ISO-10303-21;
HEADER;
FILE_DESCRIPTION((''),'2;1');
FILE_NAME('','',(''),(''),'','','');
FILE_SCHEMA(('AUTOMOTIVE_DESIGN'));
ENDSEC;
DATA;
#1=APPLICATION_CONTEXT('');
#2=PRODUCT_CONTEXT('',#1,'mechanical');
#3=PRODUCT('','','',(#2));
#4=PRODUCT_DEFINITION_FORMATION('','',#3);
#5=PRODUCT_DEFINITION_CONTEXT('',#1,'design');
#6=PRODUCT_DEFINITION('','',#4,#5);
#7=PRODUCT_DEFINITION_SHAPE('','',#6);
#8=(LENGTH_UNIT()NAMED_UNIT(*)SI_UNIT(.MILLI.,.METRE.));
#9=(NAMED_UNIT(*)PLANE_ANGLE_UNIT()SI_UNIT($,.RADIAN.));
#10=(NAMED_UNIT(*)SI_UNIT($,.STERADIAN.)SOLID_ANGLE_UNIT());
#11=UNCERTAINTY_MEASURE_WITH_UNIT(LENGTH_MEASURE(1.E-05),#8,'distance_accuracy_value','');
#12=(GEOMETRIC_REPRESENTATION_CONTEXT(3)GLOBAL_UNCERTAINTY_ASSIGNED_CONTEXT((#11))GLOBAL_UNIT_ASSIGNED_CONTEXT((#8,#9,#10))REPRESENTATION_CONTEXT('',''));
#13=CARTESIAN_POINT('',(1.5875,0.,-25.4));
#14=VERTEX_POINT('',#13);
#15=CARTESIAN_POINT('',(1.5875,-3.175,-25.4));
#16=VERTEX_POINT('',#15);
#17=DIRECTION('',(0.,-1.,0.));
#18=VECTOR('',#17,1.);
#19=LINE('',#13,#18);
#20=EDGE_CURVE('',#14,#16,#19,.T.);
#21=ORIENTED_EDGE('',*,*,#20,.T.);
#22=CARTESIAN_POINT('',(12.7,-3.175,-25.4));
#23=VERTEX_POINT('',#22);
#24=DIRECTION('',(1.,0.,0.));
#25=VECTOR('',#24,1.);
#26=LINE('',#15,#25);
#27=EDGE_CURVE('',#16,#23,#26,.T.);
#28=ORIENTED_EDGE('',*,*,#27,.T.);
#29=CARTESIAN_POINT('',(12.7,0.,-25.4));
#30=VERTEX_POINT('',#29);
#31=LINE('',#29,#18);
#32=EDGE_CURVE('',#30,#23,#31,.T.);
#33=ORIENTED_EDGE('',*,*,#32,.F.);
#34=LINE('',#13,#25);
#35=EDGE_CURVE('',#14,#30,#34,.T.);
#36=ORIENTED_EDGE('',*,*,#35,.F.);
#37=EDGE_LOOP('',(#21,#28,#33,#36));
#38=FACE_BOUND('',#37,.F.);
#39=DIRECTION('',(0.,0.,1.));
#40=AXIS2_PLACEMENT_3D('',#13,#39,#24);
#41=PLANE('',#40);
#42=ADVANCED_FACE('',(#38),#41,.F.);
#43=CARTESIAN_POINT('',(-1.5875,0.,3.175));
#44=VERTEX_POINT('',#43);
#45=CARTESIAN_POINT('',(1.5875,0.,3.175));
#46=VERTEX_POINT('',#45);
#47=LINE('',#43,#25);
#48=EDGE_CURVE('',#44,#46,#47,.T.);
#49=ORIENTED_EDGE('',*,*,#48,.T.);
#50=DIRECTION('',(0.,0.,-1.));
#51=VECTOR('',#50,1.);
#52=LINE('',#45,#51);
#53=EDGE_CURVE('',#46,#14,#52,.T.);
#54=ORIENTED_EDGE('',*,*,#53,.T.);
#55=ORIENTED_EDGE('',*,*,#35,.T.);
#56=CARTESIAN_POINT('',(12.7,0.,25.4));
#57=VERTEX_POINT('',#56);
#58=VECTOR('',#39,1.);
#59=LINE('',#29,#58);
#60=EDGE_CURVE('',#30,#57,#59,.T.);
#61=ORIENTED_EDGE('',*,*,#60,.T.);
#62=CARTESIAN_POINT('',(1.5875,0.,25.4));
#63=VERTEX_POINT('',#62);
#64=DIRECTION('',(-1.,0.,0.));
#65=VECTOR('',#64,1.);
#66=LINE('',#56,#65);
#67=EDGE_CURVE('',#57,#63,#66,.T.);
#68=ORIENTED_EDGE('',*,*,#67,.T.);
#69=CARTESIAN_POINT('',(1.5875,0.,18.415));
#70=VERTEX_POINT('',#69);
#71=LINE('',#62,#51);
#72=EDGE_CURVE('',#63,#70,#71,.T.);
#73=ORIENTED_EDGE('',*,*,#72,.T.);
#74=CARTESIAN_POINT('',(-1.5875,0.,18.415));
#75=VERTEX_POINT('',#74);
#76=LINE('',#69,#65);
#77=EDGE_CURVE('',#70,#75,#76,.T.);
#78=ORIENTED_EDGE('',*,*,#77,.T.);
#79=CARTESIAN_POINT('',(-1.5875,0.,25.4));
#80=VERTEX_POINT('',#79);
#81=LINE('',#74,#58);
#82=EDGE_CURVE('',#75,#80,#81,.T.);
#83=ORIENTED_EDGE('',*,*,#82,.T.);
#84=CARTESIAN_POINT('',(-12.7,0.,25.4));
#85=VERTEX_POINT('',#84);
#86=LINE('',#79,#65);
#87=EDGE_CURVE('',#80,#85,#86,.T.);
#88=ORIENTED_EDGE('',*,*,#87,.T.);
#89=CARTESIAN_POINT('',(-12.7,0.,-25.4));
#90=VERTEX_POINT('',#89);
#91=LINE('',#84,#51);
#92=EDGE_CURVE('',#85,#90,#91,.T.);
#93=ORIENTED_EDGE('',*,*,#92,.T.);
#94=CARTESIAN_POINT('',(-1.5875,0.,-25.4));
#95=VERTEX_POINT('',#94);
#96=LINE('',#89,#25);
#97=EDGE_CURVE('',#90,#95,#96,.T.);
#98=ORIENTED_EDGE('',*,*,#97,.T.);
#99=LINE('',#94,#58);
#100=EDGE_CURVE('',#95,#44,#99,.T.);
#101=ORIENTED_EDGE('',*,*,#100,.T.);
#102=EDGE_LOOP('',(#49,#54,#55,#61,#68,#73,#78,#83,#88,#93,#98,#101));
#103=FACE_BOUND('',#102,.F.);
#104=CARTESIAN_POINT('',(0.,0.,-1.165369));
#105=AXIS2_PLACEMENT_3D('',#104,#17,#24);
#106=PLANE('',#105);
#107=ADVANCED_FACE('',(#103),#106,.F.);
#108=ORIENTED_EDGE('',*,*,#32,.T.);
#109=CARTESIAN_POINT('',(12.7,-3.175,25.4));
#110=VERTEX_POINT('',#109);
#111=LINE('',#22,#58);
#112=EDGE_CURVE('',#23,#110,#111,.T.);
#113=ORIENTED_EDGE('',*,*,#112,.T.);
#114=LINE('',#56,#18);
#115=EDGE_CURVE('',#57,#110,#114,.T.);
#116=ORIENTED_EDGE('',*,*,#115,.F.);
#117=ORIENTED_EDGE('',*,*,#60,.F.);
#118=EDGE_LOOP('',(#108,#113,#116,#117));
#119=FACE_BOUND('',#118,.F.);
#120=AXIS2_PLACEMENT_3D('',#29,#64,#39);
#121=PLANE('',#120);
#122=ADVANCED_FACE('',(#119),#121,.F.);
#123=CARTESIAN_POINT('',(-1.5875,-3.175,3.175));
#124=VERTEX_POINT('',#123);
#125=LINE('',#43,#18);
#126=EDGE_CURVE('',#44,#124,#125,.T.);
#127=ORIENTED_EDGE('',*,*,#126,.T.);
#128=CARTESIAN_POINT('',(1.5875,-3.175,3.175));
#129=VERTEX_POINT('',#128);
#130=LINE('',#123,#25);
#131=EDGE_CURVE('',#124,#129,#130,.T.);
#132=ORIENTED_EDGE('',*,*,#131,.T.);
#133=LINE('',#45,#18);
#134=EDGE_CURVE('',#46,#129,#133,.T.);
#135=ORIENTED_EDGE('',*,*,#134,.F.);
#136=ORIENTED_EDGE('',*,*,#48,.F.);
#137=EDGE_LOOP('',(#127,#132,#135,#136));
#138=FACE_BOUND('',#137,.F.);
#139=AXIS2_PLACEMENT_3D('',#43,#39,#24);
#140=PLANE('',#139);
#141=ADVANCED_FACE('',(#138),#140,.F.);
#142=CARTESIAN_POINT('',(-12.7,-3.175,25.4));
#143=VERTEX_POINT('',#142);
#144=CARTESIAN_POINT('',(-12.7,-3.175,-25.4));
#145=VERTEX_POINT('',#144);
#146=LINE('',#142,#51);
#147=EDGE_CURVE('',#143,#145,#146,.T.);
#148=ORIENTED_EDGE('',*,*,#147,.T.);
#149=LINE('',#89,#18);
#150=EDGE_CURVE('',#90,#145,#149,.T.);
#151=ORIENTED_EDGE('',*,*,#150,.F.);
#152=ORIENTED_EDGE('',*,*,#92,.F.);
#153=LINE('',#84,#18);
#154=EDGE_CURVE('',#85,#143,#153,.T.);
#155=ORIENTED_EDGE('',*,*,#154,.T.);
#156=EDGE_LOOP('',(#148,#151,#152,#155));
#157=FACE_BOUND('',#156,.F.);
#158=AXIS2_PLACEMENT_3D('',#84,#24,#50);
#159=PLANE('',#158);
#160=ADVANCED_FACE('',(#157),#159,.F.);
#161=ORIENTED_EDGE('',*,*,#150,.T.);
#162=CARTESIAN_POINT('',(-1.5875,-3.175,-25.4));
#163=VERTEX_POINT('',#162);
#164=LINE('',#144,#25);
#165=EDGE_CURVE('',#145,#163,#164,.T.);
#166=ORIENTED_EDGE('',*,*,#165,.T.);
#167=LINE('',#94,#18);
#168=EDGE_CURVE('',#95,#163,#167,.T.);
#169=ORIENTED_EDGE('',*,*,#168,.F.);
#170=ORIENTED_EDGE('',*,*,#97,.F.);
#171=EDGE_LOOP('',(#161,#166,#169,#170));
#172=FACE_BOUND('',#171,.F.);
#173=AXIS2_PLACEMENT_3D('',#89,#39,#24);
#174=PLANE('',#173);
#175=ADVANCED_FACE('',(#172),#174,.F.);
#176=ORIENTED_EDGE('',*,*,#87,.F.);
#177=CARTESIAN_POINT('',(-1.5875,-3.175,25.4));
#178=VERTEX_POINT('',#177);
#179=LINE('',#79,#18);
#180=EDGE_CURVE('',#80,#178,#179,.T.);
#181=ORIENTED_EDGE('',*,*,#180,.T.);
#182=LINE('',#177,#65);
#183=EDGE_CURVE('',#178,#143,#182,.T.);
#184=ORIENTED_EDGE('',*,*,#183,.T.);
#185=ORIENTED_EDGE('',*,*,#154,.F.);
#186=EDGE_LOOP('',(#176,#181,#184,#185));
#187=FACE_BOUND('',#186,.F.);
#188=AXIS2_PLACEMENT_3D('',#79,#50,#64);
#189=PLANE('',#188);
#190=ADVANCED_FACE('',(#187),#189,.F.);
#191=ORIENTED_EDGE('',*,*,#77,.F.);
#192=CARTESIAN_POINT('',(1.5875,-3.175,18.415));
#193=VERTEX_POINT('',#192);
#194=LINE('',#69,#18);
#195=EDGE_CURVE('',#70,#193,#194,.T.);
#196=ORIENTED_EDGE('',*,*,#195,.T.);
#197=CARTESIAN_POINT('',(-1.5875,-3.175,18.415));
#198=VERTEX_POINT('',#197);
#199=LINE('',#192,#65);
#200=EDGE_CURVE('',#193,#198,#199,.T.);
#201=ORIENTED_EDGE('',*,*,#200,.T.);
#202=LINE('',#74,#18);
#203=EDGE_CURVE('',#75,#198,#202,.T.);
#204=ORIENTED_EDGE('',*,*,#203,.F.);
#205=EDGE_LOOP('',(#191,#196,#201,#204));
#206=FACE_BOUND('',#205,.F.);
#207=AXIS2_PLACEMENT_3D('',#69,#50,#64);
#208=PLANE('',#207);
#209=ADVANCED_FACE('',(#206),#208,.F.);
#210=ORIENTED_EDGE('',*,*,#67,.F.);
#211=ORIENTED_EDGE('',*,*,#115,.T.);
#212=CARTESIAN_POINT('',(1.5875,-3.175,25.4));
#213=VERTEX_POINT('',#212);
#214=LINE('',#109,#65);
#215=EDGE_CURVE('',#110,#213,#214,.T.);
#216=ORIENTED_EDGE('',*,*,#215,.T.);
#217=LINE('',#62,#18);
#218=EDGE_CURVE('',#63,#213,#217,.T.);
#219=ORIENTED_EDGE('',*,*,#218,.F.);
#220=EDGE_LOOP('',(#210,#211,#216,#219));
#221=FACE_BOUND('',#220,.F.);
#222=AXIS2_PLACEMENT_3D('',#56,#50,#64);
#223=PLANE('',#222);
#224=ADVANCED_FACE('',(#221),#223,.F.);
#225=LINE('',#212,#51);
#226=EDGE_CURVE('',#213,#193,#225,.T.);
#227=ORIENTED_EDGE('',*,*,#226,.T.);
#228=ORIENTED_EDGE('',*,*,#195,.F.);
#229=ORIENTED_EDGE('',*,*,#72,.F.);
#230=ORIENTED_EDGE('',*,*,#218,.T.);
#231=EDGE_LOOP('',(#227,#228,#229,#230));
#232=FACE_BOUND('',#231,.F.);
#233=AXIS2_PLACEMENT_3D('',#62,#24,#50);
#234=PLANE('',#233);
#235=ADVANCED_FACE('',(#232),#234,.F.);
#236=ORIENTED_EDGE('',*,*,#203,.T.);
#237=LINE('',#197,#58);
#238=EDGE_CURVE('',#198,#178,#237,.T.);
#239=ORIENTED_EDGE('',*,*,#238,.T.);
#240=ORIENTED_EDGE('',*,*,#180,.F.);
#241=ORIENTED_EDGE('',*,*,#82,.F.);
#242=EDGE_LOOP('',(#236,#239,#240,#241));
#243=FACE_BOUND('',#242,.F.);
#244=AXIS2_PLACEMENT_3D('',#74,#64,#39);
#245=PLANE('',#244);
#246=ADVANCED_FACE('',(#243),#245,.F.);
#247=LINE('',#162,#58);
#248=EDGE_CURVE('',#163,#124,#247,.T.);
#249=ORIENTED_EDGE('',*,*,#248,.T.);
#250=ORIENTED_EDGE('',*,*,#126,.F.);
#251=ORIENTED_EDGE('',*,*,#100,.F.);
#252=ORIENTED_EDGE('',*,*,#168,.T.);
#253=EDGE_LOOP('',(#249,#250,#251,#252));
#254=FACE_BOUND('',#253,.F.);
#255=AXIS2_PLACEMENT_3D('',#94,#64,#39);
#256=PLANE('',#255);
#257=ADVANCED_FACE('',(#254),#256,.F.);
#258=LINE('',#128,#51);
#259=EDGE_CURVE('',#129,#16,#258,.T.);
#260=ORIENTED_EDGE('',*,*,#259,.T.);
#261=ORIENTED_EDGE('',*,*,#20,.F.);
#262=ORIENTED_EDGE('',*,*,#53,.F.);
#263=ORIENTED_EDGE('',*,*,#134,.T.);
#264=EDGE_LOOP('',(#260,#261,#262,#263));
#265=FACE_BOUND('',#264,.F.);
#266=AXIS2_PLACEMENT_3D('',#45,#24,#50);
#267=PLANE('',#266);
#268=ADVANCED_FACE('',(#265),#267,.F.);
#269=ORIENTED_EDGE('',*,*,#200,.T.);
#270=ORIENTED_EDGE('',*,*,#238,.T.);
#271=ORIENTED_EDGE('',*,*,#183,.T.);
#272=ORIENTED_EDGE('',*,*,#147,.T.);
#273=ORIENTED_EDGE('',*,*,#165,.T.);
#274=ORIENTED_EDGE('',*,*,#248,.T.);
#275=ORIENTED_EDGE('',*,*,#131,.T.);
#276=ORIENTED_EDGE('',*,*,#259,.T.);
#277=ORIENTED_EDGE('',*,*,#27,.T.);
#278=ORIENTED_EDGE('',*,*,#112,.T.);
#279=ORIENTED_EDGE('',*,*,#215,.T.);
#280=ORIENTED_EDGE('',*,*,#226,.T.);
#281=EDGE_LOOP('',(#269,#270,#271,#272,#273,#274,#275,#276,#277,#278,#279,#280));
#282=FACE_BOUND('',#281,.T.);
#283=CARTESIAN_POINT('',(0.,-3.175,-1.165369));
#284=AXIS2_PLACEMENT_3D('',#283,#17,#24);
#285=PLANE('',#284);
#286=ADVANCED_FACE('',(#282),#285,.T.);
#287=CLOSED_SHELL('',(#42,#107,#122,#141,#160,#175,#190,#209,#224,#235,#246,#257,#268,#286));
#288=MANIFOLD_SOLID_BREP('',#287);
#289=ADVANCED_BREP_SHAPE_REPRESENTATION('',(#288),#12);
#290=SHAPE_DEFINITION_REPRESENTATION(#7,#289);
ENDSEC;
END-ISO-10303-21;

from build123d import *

# Parameters (mm, degrees)
F1_DEPTH = 3.175


with BuildPart() as f1:
    # F0 (on Front) → F1 (new body)
    with BuildSketch(Plane.XZ):
        Polygon((12.7, -25.4), (12.7, 25.4), (3.175, 25.4), (1.5875, 25.4), (1.5875, 18.415), (-1.5875, 18.415), (-1.5875, 25.4), (-3.175, 25.4), (-12.7, 25.4), (-12.7, -25.4), (-3.175, -25.4), (-1.5875, -25.4), (-1.5875, 3.175), (0, 3.175), (1.5875, 3.175), (1.5875, -25.4), (3.175, -25.4), align=None)
    extrude(amount=F1_DEPTH)


solid = f1.part
